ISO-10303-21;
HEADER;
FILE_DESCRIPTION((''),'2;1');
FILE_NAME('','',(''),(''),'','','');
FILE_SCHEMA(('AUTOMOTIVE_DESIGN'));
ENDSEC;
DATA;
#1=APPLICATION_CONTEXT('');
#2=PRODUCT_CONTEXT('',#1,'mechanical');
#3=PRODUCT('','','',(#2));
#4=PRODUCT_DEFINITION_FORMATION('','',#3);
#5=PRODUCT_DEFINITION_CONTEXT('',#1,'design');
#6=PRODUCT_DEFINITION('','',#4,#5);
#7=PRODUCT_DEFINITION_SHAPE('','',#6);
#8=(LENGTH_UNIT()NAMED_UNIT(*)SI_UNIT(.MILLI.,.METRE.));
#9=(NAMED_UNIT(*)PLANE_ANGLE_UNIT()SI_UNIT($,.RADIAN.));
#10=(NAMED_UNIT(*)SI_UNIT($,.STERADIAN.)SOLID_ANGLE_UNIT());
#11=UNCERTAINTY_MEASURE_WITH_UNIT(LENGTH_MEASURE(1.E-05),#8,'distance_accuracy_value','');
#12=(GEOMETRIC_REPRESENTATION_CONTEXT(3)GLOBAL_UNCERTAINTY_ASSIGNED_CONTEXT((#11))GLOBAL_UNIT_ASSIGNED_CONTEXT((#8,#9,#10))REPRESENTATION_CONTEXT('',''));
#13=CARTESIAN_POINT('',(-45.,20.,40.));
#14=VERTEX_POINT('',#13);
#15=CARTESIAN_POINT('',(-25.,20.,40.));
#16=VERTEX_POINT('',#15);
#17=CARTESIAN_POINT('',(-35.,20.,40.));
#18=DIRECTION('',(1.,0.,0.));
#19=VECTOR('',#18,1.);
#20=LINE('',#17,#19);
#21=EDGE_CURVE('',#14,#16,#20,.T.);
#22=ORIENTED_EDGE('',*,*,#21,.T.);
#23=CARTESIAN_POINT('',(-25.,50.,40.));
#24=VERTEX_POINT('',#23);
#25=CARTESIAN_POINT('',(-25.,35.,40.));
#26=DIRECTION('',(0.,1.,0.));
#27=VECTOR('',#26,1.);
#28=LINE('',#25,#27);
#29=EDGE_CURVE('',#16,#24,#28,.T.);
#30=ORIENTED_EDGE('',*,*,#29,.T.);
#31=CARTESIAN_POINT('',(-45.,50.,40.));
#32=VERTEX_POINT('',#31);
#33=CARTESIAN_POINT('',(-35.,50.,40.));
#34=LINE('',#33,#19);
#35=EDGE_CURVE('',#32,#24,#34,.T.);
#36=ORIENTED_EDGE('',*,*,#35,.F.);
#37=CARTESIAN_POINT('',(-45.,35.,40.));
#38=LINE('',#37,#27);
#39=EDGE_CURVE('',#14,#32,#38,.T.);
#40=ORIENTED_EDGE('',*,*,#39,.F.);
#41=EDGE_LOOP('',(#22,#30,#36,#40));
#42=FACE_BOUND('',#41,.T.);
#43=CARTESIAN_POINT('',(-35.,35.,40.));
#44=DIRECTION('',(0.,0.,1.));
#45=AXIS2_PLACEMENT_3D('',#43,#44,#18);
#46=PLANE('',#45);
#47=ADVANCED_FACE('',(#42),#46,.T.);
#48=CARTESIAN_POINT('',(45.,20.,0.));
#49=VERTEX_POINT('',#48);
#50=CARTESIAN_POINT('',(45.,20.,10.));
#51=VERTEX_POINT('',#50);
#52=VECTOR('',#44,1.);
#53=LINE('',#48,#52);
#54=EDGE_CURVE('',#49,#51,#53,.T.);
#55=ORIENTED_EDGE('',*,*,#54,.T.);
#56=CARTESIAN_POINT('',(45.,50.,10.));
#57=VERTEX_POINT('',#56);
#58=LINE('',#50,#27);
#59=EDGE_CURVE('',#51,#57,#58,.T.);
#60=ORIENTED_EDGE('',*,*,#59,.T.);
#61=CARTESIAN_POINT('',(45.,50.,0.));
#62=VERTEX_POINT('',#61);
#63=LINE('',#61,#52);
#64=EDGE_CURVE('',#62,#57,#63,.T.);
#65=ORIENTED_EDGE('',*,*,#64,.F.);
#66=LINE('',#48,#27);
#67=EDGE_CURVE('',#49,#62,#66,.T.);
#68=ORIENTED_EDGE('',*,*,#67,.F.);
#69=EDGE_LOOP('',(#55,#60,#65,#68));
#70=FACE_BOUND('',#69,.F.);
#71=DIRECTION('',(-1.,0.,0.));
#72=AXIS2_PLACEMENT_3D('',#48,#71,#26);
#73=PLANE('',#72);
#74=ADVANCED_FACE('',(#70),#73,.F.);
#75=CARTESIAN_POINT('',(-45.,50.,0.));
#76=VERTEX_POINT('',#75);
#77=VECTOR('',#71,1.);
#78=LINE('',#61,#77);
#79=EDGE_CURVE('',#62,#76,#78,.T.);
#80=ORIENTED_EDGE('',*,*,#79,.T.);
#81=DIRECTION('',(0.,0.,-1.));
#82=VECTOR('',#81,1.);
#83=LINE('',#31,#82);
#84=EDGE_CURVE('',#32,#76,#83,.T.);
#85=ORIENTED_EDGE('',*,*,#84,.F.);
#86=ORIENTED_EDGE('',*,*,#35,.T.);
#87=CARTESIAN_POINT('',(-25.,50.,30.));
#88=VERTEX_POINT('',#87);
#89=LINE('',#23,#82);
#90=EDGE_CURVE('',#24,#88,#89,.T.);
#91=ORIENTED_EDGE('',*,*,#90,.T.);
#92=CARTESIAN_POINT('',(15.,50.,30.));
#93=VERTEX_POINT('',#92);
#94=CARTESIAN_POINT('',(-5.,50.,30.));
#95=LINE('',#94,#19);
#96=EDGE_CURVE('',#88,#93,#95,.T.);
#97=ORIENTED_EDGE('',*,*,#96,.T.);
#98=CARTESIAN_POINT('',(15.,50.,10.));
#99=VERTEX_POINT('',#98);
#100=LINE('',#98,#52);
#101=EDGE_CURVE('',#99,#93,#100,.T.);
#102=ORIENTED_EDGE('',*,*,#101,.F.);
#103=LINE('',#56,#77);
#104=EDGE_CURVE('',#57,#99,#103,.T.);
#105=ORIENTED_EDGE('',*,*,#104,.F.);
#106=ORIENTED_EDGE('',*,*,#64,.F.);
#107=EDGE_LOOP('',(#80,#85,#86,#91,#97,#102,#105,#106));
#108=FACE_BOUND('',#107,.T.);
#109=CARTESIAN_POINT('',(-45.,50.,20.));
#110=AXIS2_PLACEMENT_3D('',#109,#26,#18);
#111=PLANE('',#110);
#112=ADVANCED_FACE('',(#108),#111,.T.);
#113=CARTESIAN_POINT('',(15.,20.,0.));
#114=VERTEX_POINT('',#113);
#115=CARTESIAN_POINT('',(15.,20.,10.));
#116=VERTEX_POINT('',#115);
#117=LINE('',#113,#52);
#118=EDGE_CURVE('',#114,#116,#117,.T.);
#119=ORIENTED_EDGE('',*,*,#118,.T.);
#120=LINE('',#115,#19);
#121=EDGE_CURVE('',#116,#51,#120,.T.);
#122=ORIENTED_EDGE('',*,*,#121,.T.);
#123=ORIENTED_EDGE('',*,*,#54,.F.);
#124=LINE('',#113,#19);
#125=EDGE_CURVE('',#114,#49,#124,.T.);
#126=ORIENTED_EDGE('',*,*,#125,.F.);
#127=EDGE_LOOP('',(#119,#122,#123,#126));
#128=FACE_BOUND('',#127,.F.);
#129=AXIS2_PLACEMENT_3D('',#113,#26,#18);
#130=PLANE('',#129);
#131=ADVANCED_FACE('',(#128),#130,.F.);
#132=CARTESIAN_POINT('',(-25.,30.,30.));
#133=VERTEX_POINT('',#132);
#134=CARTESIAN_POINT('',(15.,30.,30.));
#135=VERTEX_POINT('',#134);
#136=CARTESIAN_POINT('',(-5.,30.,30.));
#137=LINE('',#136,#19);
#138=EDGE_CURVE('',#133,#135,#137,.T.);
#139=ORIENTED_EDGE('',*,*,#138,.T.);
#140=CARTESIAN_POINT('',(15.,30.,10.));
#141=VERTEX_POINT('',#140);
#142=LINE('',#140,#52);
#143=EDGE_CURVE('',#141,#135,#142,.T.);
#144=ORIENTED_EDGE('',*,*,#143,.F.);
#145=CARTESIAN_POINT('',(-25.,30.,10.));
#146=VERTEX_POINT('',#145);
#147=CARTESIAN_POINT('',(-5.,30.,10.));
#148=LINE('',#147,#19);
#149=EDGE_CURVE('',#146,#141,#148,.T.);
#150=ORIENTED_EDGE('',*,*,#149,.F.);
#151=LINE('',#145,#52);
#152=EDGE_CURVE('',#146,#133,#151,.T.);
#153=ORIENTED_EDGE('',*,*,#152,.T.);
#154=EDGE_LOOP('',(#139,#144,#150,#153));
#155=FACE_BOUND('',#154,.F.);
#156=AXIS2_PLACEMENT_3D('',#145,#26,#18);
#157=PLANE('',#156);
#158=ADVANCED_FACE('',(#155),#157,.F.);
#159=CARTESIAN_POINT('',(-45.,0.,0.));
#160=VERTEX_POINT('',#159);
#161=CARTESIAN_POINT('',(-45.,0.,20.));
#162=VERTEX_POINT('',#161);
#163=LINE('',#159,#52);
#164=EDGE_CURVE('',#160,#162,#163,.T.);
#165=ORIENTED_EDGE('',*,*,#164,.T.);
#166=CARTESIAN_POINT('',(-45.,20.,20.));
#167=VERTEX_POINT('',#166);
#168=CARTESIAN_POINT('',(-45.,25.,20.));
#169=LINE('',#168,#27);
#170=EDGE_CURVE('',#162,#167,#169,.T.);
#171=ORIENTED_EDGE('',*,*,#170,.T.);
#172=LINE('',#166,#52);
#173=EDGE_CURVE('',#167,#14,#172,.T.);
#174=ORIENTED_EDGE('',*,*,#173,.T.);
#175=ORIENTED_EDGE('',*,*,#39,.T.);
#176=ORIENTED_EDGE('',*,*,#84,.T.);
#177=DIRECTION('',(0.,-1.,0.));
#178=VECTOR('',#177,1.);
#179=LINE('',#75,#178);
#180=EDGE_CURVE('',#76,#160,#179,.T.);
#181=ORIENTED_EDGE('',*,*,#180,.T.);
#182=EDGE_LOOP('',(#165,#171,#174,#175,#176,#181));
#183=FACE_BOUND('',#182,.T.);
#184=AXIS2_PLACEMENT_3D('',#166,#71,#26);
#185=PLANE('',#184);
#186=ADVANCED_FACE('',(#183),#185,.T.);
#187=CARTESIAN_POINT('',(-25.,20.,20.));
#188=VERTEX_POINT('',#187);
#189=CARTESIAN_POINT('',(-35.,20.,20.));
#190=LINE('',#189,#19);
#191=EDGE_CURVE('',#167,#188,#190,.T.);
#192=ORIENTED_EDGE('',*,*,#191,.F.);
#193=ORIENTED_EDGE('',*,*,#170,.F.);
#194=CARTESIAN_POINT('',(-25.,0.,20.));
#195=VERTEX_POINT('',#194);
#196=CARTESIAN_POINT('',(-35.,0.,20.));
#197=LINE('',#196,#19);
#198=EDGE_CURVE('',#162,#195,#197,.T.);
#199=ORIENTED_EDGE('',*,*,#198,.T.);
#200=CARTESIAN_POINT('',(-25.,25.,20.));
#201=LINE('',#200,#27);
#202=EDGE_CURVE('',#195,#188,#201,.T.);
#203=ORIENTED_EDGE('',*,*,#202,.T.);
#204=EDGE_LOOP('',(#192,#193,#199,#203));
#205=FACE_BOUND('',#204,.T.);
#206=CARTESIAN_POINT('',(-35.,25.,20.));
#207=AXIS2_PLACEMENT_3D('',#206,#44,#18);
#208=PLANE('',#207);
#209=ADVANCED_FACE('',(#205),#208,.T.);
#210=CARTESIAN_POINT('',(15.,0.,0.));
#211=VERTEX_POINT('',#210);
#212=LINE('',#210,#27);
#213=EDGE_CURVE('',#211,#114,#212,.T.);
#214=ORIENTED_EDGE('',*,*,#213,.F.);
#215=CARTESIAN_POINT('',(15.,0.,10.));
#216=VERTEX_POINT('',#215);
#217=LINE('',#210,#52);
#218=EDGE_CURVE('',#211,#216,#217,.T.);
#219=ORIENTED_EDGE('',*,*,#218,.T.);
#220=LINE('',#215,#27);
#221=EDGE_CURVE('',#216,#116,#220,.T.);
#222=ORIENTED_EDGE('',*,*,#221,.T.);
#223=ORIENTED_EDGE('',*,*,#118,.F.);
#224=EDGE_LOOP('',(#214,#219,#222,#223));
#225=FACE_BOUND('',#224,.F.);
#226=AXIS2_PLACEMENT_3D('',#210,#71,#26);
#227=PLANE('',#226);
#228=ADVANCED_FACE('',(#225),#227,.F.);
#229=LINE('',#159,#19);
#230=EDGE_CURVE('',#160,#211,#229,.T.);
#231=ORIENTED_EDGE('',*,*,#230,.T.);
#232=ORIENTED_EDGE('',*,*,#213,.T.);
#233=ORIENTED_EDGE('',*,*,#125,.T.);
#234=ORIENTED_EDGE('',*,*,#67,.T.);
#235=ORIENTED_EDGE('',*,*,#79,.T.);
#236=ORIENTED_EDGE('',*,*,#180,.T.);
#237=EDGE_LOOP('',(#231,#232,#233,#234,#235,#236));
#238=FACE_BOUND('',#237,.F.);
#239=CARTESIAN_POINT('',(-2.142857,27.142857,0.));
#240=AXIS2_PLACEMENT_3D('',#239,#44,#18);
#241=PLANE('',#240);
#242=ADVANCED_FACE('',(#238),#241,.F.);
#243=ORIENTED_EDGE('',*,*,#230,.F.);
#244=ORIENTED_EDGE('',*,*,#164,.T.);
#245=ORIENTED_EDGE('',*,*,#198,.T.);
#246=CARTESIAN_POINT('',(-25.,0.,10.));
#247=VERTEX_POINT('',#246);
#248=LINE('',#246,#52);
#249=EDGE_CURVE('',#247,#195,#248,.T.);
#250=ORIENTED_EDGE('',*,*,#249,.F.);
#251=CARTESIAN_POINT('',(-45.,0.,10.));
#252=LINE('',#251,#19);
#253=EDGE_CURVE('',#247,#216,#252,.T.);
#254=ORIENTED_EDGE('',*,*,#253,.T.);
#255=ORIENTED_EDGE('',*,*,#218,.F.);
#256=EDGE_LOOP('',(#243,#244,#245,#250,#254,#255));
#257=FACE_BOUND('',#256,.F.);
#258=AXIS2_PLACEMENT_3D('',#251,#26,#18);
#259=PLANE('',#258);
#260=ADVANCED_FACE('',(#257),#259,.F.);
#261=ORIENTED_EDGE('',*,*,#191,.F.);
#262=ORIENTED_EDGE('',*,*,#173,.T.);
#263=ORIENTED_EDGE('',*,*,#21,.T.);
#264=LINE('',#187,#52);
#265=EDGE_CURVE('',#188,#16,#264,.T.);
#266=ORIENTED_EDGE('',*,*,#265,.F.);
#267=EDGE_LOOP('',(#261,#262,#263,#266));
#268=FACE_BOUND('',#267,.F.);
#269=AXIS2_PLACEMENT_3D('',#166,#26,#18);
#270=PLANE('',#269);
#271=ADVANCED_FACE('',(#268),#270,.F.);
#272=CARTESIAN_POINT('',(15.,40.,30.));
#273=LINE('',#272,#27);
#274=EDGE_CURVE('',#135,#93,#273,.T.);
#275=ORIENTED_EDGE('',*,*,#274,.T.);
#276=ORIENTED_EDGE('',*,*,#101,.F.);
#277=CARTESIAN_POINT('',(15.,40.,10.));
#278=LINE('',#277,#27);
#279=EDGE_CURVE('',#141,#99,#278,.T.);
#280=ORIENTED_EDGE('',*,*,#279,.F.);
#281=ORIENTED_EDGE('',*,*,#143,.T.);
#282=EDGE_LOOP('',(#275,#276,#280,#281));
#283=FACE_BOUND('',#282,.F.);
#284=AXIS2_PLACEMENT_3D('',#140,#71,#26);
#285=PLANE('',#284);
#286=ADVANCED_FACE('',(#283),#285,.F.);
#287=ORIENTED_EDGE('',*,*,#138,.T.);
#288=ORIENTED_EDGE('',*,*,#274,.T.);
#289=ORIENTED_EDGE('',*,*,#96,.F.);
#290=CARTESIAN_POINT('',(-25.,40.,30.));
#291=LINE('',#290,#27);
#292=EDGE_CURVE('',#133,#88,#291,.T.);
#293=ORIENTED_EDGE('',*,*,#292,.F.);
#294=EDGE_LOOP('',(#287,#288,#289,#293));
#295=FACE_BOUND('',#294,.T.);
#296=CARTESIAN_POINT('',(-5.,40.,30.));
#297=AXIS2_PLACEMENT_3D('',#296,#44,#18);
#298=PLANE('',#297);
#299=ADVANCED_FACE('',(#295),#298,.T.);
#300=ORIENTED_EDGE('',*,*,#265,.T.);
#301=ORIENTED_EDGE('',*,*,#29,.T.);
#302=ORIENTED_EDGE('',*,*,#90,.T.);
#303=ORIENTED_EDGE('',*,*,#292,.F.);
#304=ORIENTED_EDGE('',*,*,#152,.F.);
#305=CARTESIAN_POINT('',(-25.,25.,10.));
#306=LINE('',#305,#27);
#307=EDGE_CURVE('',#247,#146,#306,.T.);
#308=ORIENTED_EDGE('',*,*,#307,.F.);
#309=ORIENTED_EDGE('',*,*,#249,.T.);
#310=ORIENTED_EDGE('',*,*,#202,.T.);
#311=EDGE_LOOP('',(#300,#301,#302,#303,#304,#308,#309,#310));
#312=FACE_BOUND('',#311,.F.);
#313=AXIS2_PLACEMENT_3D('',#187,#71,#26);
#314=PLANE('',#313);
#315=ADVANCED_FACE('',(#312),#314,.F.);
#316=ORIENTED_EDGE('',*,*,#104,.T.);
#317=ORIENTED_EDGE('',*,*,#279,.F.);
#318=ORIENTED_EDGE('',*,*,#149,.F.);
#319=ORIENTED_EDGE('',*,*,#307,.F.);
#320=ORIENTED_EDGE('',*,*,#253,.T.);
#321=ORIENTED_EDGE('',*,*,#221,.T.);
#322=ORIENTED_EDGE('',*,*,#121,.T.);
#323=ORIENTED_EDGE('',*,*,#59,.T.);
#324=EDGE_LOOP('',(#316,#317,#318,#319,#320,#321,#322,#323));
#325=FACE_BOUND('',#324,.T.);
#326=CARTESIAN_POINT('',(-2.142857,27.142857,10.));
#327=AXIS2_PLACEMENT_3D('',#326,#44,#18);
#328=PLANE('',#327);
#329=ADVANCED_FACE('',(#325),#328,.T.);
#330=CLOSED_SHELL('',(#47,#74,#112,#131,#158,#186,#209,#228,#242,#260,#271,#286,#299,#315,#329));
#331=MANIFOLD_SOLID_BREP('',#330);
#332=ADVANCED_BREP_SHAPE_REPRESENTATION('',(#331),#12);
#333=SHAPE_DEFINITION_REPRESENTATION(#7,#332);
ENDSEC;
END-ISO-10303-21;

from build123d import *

# Parameters (mm, degrees)
PAD_DEPTH    = 10
SKETCH001_W  = 20
SKETCH001_H  = 50
PAD001_DEPTH = 10
SKETCH002_W  = 20
SKETCH002_H  = 30
PAD002_DEPTH = 20
SKETCH003_W  = 40
SKETCH003_H  = 20
PAD003_DEPTH = 20


with BuildPart() as part:
    # Sketch → Pad (new body)
    with BuildSketch(Plane.XY):
        Polygon((-45, 50), (-45, 0), (15, 0), (15, 20), (45, 20), (45, 50), align=None)
    extrude(amount=PAD_DEPTH)

    # Sketch001 → Pad001 (new body)
    with BuildSketch(Plane.XY.offset(10)):
        with Locations((-35, 25)):
            Rectangle(SKETCH001_W, SKETCH001_H)
    extrude(amount=PAD001_DEPTH)

    # Sketch002 → Pad002 (new body)
    with BuildSketch(Plane.XY.offset(20)):
        with Locations((-35, 35)):
            Rectangle(SKETCH002_W, SKETCH002_H)
    extrude(amount=PAD002_DEPTH)

    # Sketch003 → Pad003 (new body)
    with BuildSketch(Plane.XY.offset(10)):
        with Locations((-5, 40)):
            Rectangle(SKETCH003_W, SKETCH003_H)
    extrude(amount=PAD003_DEPTH)


solid = part.part
